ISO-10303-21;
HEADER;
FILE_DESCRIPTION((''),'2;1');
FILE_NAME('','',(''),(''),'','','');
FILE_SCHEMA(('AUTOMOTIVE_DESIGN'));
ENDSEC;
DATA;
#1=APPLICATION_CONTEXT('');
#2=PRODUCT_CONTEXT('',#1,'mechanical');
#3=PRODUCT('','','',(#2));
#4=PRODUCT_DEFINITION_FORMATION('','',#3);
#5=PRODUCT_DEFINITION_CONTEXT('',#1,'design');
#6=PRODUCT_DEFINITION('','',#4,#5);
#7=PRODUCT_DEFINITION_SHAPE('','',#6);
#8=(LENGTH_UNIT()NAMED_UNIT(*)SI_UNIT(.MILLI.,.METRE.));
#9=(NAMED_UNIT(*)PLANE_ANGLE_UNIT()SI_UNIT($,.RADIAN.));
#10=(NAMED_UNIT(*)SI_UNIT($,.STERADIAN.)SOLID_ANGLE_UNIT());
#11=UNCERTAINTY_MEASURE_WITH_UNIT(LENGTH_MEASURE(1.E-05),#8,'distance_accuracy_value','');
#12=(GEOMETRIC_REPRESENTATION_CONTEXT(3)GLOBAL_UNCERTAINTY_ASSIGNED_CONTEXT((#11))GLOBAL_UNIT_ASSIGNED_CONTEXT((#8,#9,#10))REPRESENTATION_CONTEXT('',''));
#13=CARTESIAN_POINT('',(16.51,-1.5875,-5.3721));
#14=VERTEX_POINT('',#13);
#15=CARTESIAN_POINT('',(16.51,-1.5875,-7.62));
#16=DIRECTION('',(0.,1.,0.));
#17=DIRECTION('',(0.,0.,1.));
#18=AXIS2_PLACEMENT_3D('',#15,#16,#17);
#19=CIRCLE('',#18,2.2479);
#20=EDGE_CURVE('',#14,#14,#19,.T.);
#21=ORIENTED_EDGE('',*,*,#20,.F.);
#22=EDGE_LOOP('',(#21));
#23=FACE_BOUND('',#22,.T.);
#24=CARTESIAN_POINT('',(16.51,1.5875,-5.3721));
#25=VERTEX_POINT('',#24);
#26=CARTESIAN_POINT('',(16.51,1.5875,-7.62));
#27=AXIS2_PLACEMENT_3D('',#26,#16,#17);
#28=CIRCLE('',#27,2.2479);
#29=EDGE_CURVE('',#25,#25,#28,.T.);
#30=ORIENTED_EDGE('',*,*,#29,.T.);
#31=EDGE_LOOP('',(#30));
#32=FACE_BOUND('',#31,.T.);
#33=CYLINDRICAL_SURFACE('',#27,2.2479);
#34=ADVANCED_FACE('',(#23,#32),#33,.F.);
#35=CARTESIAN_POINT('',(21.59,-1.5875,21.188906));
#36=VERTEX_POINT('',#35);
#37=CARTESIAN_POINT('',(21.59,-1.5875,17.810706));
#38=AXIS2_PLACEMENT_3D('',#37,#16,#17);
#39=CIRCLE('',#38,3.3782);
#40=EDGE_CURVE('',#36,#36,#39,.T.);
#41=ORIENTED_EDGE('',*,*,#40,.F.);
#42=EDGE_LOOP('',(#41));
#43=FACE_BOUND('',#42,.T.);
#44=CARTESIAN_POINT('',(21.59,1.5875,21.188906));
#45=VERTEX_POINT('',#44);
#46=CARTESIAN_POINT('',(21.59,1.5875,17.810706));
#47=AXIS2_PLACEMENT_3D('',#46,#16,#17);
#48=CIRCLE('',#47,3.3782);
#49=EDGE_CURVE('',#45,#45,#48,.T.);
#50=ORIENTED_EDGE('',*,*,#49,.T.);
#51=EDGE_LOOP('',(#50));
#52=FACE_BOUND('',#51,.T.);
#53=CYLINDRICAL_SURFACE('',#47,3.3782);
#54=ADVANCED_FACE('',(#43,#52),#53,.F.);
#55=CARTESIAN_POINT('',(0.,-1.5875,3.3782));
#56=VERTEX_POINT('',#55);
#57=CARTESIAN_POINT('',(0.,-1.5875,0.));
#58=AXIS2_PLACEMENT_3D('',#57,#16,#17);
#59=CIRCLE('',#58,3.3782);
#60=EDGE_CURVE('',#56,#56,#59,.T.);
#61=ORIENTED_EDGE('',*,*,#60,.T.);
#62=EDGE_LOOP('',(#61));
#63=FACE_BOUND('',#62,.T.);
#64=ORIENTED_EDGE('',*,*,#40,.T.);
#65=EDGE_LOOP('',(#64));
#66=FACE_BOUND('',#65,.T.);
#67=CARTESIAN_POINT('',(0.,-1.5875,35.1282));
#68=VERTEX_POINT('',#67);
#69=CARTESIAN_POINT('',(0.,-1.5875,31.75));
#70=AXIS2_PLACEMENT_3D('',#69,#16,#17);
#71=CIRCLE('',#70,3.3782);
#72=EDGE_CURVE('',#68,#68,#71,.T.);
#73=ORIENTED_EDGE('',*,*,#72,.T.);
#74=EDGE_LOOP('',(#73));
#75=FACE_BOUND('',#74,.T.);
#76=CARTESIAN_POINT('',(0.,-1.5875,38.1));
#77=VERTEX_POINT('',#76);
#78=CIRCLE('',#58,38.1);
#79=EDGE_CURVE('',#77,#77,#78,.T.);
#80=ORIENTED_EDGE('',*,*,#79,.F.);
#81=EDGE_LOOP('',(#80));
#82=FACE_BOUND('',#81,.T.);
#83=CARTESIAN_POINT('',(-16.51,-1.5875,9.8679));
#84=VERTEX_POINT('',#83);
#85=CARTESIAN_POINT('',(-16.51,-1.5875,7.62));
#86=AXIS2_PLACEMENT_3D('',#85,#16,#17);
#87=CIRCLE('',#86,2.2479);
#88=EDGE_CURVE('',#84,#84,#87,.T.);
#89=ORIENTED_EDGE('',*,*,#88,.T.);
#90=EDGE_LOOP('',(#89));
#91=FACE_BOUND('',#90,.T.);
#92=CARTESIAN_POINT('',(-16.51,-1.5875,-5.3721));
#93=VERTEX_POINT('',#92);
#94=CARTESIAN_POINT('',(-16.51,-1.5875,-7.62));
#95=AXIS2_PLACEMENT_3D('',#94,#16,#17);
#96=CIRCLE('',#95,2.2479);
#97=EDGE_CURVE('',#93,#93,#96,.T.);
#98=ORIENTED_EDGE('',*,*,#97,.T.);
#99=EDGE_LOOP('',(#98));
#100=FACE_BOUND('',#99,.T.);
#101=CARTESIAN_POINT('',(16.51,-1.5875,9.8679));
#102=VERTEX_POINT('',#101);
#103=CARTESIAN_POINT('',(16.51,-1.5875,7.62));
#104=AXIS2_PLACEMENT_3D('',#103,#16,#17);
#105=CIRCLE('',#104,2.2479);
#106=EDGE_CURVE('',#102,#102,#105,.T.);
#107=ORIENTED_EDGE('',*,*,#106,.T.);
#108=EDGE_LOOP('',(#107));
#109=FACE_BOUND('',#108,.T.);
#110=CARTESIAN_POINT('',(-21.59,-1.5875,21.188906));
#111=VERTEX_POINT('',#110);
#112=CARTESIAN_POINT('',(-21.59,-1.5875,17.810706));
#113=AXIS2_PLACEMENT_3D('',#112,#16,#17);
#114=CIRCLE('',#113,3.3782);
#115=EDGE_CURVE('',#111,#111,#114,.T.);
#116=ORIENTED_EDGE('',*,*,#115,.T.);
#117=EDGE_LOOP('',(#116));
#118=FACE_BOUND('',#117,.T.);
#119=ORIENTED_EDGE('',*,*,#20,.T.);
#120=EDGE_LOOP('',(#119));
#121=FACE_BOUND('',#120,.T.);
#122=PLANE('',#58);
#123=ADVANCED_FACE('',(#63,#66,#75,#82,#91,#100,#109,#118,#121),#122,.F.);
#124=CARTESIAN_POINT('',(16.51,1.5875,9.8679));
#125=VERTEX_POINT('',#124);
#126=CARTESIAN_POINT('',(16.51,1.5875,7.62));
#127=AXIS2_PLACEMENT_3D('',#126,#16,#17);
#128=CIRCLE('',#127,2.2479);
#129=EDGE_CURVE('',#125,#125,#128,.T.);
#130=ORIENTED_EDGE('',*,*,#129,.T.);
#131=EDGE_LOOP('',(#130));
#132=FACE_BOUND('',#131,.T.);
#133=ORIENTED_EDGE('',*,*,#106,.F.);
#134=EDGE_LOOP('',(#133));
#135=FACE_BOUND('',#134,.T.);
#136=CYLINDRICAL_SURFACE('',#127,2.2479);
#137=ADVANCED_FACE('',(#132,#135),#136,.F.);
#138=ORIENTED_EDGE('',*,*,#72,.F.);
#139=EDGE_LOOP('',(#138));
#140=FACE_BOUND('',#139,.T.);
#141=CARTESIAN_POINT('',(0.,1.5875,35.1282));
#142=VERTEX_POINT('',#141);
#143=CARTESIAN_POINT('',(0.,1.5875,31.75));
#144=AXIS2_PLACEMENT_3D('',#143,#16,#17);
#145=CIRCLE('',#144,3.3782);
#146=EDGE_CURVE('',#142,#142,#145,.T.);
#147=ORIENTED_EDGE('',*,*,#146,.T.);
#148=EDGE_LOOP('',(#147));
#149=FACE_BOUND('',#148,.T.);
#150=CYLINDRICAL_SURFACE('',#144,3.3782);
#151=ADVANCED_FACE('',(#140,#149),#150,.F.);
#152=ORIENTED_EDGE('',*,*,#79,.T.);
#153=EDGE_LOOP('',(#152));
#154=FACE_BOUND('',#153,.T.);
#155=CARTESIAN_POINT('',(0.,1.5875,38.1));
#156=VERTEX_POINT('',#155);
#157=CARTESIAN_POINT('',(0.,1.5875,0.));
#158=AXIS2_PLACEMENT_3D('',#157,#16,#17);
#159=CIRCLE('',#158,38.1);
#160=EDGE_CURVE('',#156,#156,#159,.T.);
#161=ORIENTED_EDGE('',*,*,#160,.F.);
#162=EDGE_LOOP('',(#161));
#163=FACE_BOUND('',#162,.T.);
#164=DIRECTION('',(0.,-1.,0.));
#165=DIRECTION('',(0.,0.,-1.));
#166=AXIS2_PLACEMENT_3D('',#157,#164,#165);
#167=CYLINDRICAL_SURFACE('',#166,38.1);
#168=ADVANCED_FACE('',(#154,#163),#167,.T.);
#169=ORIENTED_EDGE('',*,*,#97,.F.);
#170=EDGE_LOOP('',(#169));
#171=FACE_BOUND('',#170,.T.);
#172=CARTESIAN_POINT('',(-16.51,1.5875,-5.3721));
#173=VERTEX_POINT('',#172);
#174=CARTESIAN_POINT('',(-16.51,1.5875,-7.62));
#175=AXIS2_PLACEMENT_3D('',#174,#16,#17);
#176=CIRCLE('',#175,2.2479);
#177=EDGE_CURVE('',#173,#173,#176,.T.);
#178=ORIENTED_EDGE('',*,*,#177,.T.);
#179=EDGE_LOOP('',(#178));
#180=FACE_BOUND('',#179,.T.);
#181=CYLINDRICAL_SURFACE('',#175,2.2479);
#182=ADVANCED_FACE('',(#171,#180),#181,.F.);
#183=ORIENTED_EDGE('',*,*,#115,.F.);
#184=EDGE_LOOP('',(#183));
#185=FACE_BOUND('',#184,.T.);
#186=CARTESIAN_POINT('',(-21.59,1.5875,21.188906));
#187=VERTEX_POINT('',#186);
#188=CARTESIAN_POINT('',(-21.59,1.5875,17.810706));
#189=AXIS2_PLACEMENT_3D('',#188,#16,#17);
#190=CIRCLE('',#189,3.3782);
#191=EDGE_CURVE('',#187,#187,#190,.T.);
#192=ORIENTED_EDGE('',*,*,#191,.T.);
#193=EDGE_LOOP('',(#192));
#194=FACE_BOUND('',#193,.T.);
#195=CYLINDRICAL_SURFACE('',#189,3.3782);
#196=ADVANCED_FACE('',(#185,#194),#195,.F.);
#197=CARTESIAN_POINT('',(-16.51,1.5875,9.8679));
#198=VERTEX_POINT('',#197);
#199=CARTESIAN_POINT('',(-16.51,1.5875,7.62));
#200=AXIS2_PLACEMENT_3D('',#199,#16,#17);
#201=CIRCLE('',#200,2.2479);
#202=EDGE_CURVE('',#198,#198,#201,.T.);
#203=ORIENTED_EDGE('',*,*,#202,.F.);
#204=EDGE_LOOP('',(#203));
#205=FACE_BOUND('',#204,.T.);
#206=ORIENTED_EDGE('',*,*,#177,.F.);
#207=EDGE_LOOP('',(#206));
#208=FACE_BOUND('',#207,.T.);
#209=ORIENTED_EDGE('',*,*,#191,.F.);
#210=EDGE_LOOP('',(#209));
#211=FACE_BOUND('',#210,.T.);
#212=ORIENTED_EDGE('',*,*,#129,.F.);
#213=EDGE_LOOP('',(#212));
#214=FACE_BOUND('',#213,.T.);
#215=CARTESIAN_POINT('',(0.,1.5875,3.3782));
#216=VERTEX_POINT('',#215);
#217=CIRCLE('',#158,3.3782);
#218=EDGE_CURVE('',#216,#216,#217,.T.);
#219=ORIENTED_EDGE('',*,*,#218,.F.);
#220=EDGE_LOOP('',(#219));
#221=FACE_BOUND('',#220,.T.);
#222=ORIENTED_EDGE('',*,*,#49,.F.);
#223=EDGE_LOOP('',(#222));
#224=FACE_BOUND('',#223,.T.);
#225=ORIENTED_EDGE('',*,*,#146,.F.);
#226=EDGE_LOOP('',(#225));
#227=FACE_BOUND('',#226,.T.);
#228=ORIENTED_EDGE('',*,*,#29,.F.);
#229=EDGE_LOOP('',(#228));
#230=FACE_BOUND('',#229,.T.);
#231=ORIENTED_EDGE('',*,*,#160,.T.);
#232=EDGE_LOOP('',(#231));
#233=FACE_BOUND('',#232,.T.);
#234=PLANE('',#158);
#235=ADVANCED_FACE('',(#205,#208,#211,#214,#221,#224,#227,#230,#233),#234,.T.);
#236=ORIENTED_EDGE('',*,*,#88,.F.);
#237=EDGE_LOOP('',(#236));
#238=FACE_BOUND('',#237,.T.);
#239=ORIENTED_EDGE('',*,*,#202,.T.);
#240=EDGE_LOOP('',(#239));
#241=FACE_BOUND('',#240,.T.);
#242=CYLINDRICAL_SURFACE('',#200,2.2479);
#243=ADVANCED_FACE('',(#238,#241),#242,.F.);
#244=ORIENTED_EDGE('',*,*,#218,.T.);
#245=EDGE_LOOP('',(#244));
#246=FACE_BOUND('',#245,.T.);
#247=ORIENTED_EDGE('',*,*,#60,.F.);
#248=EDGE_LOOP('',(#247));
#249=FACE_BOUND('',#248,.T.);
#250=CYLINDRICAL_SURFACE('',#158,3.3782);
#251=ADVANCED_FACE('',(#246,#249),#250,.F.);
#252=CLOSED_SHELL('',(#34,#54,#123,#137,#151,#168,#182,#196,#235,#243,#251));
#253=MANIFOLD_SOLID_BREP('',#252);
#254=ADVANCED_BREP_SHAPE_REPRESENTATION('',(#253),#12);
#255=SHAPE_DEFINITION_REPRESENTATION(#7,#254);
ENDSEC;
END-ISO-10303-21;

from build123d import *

# Parameters (mm, degrees)
SKETCH1_R               = 38.1
BOSS_EXTRUDE1_DEPTH     = 1.5875
F_1_4_CLEARANCE_HOLE1_D = 6.7564
F_1_4_CLEARANCE_HOLE2_D = 6.7564
F_1_4_CLEARANCE_HOLE3_D = 6.7564
F_8_CLEARANCE_HOLE1_D   = 4.4958


with BuildPart() as part:
    # Sketch1 → Boss-Extrude1 (new, symmetric)
    with BuildSketch(Plane(origin=(0, 0, 0), x_dir=(1, 0, 0), z_dir=(0, 1, 0))):
        with Locations(Location((0, 0, 0), (0, 0, 270))):
            Circle(SKETCH1_R)
    extrude(amount=BOSS_EXTRUDE1_DEPTH, both=True)

    # 1/4 Clearance Hole1 (through all)
    with Locations(Plane(origin=(0, 1.5875, 0), x_dir=(1, 0, 0), z_dir=(0, 1, 0))):
        with Locations((-21.59, -17.810706314), (21.59, -17.810706314)):
            Hole(F_1_4_CLEARANCE_HOLE1_D / 2)

    # 1/4 Clearance Hole2 (through all)
    with Locations(Plane(origin=(0, 1.5875, 0), x_dir=(1, 0, 0), z_dir=(0, 1, 0))):
        with Locations((0, 0)):
            Hole(F_1_4_CLEARANCE_HOLE2_D / 2)

    # 1/4 Clearance Hole3 (through all)
    with Locations(Plane(origin=(0, 1.5875, 0), x_dir=(1, 0, 0), z_dir=(0, 1, 0))):
        with Locations((0, -31.75)):
            Hole(F_1_4_CLEARANCE_HOLE3_D / 2)

    # #8 Clearance Hole1 (through all)
    with Locations(Plane(origin=(0, 1.5875, 0), x_dir=(1, 0, 0), z_dir=(0, 1, 0))):
        with Locations((-16.51, 7.62), (-16.51, -7.62), (16.51, -7.62), (16.51, 7.62)):
            Hole(F_8_CLEARANCE_HOLE1_D / 2)


solid = part.part
